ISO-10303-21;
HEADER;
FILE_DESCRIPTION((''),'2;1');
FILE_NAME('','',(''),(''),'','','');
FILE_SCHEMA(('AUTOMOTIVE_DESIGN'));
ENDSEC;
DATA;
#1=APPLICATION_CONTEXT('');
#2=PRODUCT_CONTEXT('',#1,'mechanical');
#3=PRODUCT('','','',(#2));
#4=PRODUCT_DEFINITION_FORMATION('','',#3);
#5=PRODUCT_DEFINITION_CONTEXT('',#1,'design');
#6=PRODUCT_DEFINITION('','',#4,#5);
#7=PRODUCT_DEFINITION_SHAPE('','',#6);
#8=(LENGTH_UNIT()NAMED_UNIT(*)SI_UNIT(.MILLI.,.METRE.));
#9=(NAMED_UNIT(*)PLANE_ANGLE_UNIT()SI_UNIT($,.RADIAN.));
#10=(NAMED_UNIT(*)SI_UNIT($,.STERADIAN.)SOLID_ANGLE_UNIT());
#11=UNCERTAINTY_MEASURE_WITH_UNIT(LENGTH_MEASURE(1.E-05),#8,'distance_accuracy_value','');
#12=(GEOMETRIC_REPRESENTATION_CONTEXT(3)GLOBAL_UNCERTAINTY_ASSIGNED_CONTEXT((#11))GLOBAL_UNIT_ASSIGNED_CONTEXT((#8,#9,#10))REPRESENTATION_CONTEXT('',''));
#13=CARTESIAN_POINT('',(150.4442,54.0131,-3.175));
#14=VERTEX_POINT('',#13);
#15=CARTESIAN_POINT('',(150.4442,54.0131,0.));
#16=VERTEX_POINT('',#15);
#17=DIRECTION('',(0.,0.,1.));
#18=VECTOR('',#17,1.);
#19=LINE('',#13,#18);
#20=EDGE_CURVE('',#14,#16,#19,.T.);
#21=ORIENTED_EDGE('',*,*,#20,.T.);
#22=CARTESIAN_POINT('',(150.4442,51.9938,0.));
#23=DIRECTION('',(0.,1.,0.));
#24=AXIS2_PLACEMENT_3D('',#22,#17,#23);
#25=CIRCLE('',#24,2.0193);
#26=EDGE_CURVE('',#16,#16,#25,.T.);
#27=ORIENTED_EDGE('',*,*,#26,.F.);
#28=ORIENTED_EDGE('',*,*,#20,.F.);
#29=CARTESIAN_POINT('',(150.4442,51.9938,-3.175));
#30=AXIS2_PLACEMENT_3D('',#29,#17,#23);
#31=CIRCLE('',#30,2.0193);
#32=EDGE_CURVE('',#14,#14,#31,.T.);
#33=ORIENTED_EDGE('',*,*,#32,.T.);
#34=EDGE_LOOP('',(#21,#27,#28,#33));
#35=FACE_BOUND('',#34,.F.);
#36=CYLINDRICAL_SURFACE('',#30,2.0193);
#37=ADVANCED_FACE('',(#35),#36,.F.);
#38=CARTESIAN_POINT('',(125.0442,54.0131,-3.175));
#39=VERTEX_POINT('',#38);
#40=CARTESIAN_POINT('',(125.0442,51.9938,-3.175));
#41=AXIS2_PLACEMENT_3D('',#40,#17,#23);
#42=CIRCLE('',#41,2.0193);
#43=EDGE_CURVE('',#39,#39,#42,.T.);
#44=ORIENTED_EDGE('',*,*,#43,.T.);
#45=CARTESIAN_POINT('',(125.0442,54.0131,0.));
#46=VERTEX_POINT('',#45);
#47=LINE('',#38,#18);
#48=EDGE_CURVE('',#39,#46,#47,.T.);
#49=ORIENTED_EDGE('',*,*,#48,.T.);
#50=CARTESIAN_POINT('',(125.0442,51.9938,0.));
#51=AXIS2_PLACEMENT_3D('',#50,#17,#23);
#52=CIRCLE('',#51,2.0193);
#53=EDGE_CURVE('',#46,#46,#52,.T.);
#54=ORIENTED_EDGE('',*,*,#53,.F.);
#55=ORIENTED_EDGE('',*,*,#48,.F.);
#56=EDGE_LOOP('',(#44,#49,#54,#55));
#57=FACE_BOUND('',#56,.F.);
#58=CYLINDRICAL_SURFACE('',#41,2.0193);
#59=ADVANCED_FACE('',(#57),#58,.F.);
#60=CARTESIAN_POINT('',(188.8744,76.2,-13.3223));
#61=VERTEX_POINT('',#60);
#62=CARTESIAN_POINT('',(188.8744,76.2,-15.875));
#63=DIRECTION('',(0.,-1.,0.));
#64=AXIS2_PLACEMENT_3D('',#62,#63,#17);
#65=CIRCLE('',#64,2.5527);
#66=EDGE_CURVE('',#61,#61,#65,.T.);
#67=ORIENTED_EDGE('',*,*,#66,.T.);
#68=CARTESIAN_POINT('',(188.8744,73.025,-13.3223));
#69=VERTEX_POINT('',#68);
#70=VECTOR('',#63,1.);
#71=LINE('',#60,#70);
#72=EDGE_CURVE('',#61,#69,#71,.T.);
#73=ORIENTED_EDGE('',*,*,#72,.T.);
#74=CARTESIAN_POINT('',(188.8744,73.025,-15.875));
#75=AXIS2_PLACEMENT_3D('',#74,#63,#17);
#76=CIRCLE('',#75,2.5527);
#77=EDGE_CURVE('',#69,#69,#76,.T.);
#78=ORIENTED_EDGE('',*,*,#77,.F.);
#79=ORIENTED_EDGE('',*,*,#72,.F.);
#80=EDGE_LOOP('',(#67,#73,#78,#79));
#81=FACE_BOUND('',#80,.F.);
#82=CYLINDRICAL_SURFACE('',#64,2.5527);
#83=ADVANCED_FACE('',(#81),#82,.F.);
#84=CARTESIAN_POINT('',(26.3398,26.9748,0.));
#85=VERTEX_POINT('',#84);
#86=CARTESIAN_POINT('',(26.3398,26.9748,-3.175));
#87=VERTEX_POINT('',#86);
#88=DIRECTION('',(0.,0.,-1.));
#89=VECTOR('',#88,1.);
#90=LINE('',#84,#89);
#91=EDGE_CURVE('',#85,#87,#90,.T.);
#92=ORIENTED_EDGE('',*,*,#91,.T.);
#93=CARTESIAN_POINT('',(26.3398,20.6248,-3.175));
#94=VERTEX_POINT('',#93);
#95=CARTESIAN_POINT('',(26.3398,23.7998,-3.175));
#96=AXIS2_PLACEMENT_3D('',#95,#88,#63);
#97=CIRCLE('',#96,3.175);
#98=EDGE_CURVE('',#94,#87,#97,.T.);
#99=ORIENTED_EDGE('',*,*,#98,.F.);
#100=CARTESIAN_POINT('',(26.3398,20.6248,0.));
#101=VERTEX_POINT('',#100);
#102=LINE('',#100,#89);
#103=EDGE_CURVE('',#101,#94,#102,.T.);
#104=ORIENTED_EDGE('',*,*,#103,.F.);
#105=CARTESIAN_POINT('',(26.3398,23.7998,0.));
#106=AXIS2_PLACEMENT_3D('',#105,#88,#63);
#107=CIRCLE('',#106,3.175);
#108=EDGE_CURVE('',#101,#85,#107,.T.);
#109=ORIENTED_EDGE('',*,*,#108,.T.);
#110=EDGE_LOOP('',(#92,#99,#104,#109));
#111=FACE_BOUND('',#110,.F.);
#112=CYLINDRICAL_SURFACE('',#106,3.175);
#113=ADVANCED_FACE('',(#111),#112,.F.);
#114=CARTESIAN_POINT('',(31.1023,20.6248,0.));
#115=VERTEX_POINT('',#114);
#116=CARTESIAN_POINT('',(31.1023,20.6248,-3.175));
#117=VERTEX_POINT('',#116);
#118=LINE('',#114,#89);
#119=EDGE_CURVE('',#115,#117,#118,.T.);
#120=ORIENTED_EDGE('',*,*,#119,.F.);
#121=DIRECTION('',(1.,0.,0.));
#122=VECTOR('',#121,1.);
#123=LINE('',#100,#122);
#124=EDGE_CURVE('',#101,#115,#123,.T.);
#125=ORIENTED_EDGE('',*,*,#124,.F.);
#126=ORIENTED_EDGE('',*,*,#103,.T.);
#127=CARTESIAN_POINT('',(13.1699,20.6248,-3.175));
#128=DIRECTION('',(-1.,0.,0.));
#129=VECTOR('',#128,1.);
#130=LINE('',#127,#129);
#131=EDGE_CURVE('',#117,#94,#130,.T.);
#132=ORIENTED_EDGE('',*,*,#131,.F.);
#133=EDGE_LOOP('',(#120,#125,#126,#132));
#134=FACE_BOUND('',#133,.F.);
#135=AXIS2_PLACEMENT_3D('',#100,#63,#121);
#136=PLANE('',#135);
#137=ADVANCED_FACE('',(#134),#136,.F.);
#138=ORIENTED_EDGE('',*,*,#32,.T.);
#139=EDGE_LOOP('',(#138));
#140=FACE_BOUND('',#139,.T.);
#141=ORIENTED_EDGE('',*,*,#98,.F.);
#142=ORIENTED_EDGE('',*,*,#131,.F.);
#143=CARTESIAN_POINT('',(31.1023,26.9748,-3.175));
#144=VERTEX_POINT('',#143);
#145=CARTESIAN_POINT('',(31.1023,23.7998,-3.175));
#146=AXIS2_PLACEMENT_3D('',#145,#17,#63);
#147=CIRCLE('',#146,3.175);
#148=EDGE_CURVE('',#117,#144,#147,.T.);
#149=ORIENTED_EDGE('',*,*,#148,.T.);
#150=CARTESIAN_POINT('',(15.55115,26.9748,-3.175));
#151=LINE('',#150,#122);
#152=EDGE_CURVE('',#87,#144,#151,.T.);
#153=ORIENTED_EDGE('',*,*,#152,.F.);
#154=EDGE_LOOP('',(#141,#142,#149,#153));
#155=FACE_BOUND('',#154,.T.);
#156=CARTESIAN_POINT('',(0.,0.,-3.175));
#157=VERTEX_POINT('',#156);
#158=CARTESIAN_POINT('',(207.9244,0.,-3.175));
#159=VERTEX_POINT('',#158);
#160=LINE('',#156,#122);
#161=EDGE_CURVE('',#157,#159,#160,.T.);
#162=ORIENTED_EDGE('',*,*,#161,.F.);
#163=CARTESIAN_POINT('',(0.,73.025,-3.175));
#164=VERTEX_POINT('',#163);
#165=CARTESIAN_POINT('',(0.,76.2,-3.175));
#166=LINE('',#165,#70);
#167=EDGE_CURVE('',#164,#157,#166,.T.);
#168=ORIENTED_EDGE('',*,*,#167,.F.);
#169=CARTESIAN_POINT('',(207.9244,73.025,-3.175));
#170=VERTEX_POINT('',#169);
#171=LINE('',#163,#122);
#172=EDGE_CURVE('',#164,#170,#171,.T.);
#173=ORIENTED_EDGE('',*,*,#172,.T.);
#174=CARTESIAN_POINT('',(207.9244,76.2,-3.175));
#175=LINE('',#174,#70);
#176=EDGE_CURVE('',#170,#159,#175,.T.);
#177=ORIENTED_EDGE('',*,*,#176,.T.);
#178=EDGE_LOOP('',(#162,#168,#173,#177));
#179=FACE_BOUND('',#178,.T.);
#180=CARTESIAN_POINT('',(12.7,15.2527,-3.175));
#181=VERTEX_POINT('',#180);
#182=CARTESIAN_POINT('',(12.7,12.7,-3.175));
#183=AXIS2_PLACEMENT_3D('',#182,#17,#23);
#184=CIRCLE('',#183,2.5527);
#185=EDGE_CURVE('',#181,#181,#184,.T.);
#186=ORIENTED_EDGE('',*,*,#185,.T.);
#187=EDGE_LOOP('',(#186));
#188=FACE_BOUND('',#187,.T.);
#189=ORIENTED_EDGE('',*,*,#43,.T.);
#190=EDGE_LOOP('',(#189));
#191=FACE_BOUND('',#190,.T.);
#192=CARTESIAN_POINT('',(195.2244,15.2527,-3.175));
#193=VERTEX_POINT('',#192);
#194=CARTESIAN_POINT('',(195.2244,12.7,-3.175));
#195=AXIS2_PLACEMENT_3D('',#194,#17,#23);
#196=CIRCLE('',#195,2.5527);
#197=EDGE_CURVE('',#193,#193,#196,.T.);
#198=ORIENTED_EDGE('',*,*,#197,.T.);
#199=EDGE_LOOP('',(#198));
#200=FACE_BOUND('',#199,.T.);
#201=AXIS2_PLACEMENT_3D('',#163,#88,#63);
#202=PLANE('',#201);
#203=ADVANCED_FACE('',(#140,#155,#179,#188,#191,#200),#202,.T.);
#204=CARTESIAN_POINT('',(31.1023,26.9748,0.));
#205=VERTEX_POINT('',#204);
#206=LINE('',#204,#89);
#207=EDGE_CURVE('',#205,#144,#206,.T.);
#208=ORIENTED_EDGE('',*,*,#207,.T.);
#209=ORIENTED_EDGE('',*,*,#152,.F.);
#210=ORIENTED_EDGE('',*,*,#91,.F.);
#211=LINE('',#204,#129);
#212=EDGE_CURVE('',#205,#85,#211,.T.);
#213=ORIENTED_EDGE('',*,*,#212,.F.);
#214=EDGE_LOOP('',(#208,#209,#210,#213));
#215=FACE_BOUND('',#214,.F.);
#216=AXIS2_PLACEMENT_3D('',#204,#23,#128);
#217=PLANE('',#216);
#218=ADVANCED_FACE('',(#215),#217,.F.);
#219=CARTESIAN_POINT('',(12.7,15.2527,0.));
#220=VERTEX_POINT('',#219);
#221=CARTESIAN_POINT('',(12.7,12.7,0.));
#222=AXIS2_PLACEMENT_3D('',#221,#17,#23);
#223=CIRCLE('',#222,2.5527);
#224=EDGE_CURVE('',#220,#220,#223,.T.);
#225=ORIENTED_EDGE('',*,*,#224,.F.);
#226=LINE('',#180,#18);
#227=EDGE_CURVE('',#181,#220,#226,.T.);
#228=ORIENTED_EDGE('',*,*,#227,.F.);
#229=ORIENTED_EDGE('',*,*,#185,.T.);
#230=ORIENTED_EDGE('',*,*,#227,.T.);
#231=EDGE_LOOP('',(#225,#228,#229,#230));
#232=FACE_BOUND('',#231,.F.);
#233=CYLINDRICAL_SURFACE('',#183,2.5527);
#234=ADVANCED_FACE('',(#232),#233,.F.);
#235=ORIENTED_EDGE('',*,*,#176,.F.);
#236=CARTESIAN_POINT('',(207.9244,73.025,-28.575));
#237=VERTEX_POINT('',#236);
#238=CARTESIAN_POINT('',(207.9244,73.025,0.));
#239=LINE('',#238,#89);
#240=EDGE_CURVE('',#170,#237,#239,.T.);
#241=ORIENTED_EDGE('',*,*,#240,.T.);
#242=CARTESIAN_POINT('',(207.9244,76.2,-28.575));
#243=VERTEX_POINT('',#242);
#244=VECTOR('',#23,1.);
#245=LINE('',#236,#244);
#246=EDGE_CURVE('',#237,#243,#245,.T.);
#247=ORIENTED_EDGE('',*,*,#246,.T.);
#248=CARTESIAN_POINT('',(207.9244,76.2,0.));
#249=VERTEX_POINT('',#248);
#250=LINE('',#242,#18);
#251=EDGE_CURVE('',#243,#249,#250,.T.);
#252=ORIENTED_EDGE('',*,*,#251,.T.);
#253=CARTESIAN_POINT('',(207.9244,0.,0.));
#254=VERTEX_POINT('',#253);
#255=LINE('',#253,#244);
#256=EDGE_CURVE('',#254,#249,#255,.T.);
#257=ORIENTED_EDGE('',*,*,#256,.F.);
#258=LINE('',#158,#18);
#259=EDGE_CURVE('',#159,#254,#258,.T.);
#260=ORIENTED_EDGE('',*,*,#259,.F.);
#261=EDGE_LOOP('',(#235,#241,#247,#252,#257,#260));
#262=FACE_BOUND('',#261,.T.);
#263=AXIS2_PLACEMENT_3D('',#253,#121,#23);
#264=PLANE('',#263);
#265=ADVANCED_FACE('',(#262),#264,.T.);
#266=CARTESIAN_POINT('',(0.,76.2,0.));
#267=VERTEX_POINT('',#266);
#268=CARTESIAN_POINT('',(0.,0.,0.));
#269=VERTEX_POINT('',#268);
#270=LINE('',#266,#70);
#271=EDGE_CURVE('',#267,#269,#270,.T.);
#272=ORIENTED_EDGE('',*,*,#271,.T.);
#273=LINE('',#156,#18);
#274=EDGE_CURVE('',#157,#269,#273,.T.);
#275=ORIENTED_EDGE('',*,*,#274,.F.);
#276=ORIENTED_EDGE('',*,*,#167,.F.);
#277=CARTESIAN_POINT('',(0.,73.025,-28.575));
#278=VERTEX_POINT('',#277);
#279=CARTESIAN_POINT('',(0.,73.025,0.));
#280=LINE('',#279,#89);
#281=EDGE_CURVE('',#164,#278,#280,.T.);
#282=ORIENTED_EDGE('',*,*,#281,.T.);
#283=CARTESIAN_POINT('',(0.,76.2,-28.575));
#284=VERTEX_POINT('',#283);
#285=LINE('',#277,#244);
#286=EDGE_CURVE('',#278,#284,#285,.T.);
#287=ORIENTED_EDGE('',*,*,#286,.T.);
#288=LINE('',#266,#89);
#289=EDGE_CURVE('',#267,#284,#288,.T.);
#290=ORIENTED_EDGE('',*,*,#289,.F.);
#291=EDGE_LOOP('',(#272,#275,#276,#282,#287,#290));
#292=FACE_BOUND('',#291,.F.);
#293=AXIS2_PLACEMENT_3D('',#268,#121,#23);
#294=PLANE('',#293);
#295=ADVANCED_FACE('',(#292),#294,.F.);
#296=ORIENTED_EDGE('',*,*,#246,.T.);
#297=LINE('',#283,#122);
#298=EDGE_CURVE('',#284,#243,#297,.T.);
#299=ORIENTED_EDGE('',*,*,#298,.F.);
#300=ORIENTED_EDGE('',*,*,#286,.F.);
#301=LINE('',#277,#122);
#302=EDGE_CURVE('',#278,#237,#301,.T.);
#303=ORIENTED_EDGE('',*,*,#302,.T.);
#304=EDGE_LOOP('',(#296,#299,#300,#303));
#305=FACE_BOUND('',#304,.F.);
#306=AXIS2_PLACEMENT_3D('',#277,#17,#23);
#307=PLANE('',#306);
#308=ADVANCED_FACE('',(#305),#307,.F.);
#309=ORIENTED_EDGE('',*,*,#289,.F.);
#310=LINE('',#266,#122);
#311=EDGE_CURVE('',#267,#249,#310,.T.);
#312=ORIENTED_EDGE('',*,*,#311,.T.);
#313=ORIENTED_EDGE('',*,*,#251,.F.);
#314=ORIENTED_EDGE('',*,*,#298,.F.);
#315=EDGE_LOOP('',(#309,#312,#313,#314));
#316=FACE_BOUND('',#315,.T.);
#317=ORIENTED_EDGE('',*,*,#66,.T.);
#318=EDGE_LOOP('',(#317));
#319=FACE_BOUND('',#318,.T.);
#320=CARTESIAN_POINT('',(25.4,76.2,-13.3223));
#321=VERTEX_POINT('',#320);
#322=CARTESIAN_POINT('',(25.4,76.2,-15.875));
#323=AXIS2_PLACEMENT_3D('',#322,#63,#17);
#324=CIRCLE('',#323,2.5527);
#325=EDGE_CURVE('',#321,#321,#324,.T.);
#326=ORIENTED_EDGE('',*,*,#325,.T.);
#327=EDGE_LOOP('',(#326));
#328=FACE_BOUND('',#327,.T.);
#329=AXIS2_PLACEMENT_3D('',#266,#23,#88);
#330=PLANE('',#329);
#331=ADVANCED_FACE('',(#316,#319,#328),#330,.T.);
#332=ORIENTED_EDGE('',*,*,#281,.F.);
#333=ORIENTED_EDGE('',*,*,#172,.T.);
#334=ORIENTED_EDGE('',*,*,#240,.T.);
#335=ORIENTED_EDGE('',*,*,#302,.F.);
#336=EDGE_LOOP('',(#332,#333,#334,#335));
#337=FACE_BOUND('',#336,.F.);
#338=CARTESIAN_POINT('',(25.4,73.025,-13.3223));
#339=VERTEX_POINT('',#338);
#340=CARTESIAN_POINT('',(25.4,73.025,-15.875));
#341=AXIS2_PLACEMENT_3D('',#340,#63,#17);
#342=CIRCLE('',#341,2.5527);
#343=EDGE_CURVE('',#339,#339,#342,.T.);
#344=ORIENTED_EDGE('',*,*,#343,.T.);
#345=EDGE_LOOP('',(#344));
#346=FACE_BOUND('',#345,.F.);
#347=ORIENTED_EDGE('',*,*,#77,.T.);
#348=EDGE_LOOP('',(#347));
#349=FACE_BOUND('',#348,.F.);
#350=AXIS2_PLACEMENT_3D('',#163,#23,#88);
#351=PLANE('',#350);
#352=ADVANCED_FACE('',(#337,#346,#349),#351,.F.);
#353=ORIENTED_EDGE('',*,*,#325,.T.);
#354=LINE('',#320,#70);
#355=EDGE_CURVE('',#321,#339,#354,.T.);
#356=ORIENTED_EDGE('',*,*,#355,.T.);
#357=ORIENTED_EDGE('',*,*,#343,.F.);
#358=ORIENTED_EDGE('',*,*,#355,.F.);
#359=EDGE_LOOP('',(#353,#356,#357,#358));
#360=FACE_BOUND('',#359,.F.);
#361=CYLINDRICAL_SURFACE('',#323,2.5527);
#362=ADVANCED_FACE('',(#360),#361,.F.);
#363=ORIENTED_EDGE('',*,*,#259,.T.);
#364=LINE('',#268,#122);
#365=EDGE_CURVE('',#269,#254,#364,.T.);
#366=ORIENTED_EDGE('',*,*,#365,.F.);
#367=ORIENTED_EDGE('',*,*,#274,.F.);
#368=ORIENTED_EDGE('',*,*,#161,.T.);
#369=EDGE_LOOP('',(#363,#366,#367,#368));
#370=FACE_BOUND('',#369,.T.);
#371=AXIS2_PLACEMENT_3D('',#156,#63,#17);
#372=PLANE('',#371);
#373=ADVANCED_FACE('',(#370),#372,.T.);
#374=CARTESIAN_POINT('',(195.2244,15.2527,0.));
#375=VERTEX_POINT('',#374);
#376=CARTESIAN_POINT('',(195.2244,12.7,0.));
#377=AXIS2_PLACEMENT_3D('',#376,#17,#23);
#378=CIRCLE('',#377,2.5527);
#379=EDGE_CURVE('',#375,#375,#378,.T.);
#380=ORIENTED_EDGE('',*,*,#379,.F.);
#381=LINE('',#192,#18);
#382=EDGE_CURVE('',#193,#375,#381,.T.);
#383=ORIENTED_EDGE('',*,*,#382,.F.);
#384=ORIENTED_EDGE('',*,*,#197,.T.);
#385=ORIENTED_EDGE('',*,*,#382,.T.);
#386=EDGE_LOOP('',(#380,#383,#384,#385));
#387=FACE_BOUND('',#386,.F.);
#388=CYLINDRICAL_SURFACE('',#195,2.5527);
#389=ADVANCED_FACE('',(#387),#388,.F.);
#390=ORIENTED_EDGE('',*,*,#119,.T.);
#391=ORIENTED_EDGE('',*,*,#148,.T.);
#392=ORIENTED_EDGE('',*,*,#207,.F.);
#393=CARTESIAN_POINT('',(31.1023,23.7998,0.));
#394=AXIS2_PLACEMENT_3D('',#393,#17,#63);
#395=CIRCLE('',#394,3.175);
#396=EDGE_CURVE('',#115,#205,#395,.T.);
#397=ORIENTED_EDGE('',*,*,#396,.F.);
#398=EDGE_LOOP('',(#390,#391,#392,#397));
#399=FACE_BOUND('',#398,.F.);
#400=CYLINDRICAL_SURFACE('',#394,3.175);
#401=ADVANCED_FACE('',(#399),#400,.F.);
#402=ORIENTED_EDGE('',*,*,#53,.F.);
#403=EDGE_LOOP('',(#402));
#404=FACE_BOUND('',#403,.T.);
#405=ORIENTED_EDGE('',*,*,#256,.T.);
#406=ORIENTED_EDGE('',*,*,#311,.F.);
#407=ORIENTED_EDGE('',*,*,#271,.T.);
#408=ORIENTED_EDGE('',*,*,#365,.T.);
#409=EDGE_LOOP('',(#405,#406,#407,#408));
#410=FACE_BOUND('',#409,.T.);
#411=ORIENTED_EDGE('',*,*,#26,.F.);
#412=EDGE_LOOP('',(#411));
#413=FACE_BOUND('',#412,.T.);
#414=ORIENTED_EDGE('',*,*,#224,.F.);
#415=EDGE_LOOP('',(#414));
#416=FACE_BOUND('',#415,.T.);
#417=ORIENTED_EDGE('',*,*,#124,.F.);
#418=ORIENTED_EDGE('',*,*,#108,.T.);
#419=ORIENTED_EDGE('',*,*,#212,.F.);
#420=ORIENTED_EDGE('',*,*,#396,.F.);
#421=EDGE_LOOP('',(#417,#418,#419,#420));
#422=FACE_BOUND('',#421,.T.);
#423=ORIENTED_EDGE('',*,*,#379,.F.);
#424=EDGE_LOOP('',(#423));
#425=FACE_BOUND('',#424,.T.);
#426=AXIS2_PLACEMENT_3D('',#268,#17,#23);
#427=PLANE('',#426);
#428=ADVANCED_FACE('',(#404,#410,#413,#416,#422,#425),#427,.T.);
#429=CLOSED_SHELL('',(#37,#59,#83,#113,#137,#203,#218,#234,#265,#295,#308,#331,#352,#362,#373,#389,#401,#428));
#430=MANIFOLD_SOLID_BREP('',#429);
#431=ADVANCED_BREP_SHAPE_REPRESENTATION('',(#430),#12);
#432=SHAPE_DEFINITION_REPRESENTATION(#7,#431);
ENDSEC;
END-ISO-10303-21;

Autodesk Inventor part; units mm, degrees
ref_plane "YZ Plane" through (0, 0, 0) normal (1, 0, 0) x (0, 1, 0)
ref_plane "XZ Plane" through (0, 0, 0) normal (0, 1, 0) x (-1, 0, 0)
ref_plane "XY Plane" through (0, 0, 0) normal (0, 0, 1) x (1, 0, 0)
sketch "Sketch1" plane through (0, 0, 0) normal (1, 0, 0) x (0, 1, 0)
  line L0 (0, 0) -> (76.2, 0)
  line L1 (76.2, 0) -> (76.2, -3.175)
  line L2 (76.2, -3.175) -> (0, -3.175)
  line L3 (0, -3.175) -> (0, 0)
  line L4 (76.2, 0) -> (73.025, 0)
  line L5 (73.025, 0) -> (73.025, -28.575)
  line L6 (73.025, -28.575) -> (76.2, -28.575)
  line L7 (76.2, -28.575) -> (76.2, 0)
  dimension "d0" = 76.2
  dimension "d1" = 3.175
  dimension "d2" = 28.575
extrude "Extrusion1" add sketch "Sketch1" along normal blind 207.9244
sketch "Sketch2" plane through (0, 0, -3.175) normal (0, 0, -1) x (-1, 0, 0)
  line L0 (-207.9244, 0) -> (-207.9244, 73.025) projected
  line L1 (0, 76.2) -> (-207.9244, 76.2) projected
  point P0 (0, 0)
  point P1 (-150.4442, 51.9938)
  point P2 (-125.0442, 51.9938)
  dimension "d5" = 57.4802
  dimension "d6" = 82.8802
  dimension "d7" = 24.2062
  dimension "d8" = 24.2062
hole "Hole1" at (150.4442, 51.9938, -3.175) at (125.0442, 51.9938, -3.175) direction (0, 0, 1) diameter 4.0386 end through all
sketch "Sketch5" plane through (0, 76.2, 0) normal (0, 1, 0) x (1, 0, 0)
  line L0 (0, 28.575) -> (207.9244, 28.575) projected
  line L1 (207.9244, 28.575) -> (207.9244, 0) projected
  line L2 (0, 28.575) -> (0, 0) projected
  point P0 (188.8744, 15.875)
  point P1 (25.4, 15.875)
  dimension "d43" = 12.7
  dimension "d44" = 12.7
  dimension "d45" = 19.05
  dimension "d46" = 25.4
sketch "Sketch6" plane through (0, 0, -3.175) normal (0, 0, -1) x (-1, 0, 0)
  line L0 (0, 0) -> (-207.9244, 0) projected
  line L1 (-207.9244, 0) -> (-207.9244, 73.025) projected
  line L2 (0, 0) -> (0, 73.025) projected
  point P0 (-195.2244, 12.7)
  point P1 (-12.7, 12.7)
  dimension "d47" = 12.7
  dimension "d48" = 12.7
  dimension "d49" = 12.7
  dimension "d50" = 12.7
hole "Hole4" at (195.2244, 12.7, -3.175) at (12.7, 12.7, -3.175) direction (0, 0, 1) diameter 5.1054 end through all clearance for "Flat Head Machine Screw (82)" size "#10" standard "Ansi Unified Screw Threads"
hole "Hole3" at (25.4, 76.2, -15.875) at (188.8744, 76.2, -15.875) direction (0, -1, 0) diameter 5.1054 end through all clearance for "Flat Head Machine Screw (82)" size "#10" standard "Ansi Unified Screw Threads"
sketch "Sketch7" plane through (0, 0, 0) normal (0, 0, 1) x (1, 0, 0)
  line L0 (0, 0) -> (207.9244, 0) projected
  line L1 (207.9244, 76.2) -> (207.9244, 0) projected
  line L2 (0, 76.2) -> (0, 0) projected
  point P0 (26.3398, 23.7998)
  dimension "d67" = 23.7998
  dimension "d76" = 26.3398
hole "Hole5" at (26.3398, 23.7998, 0) direction (0, 0, -1) diameter 6.35 end through all
sketch "Sketch8" plane through (0, 0, 0) normal (0, 0, 1) x (1, 0, 0)
  circle A0 centre (26.3398, 23.7998) radius 3.175 projected
  line L0 (26.3398, 23.7998) -> (31.1023, 23.7998) construction
  line L1 (26.3398, 20.6248) -> (31.1023, 20.6248)
  line L2 (31.1023, 26.9748) -> (26.3398, 26.9748)
  arc A1 (26.3398, 26.9748) -> (26.3398, 20.6248) centre (26.3398, 23.7998) ccw
  arc A2 (31.1023, 20.6248) -> (31.1023, 26.9748) centre (31.1023, 23.7998) ccw
  point P0 (0, 0)
  point P1 (28.721, 23.7998)
  dimension "d77" = 4.7625
extrude "Extrusion3" cut sketch "Sketch8" against normal blind 25.4 contours A0 L2 A2 L1
sketch "Sketch3" plane through (0, 0, -3.175) normal (0, 0, -1) x (-1, 0, 0)
  line L0 (-158.5408, 14.5542) -> (38.7343, 14.5542) construction
  line L1 (0, 76.2) -> (-207.9244, 76.2) construction
  line L2 (-161.6607, 44.1198) -> (30.0945, 44.1198) construction
  line L3 (-31.75, 37.7698) -> (-12.7, 37.7698) construction
  line L4 (-31.75, 35.2806) -> (-12.7, 35.2806)
  line L5 (-12.7, 40.259) -> (-31.75, 40.259)
  arc A0 (-31.75, 40.259) -> (-31.75, 35.2806) centre (-31.75, 37.7698) ccw
  arc A1 (-12.7, 35.2806) -> (-12.7, 40.259) centre (-12.7, 37.7698) ccw
  line L6 (-31.75, 25.4) -> (-12.7, 25.4) construction
  line L7 (-31.75, 22.9108) -> (-12.7, 22.9108)
  line L8 (-12.7, 27.8892) -> (-31.75, 27.8892)
  arc A2 (-31.75, 27.8892) -> (-31.75, 22.9108) centre (-31.75, 25.4) ccw
  arc A3 (-12.7, 22.9108) -> (-12.7, 27.8892) centre (-12.7, 25.4) ccw
  line L9 (0, 0) -> (0, 73.025) projected
  line L10 (-69.85, 37.7698) -> (-50.8, 37.7698) construction
  line L11 (-69.85, 35.2806) -> (-50.8, 35.2806)
  line L12 (-50.8, 40.259) -> (-69.85, 40.259)
  arc A4 (-69.85, 40.259) -> (-69.85, 35.2806) centre (-69.85, 37.7698) ccw
  arc A5 (-50.8, 35.2806) -> (-50.8, 40.259) centre (-50.8, 37.7698) ccw
  point P0 (-22.225, 37.7698)
  point P1 (-22.225, 25.4)
  point P2 (-60.325, 37.7698)
  dimension "d16" = 61.6458
  dimension "d17" = 29.5656
  dimension "d19" = 2.4892
  dimension "d20" = 6.35
  dimension "d29" = 38.1
  dimension "d30" = 6.35
  dimension "d31" = 19.05
  dimension "d32" = 31.75
  dimension "d33" = 31.75
  dimension "d65" = 10.8458
sketch "Sketch4" plane through (0, 0, -3.175) normal (0, 0, -1) x (-1, 0, 0)
  line L0 (-12.7, 35.2806) -> (-31.75, 35.2806) projected
  arc A0 (-12.7, 22.9108) -> (-12.7, 27.8892) centre (-12.7, 25.4) ccw projected
  line L1 (-12.7, 22.9108) -> (-31.75, 22.9108) projected
  arc A1 (-31.75, 27.8892) -> (-31.75, 22.9108) centre (-31.75, 25.4) ccw projected
  line L2 (-31.75, 27.8892) -> (-12.7, 27.8892) projected
  arc A2 (-12.7, 35.2806) -> (-12.7, 40.259) centre (-12.7, 37.7698) ccw projected
  line L3 (-12.7, 35.2806) -> (-31.75, 35.2806) projected
  arc A3 (-31.75, 40.259) -> (-31.75, 35.2806) centre (-31.75, 37.7698) ccw projected
  line L4 (-31.75, 40.259) -> (-12.7, 40.259) projected
  arc A4 (-50.8, 35.2806) -> (-50.8, 40.259) centre (-50.8, 37.7698) ccw projected
  line L5 (-50.8, 35.2806) -> (-69.85, 35.2806) projected
  arc A5 (-69.85, 40.259) -> (-69.85, 35.2806) centre (-69.85, 37.7698) ccw projected
  line L6 (-69.85, 40.259) -> (-50.8, 40.259) projected
  circle A6 centre (-125.0442, 51.9938) radius 2.0193 projected
  circle A7 centre (-99.6442, 51.9938) radius 2.0193 projected
  line L7 (-182.5244, 73.025) -> (0, 73.025) projected
  line L8 (-182.5244, 0) -> (-182.5244, 73.025) projected
  line L9 (0, 0) -> (-182.5244, 0) projected
  line L10 (0, 0) -> (0, 73.025) projected
  point P0 (0, 0)
  point P1 (-9.652, 31.5849)
  dimension "d34" = 3.6957
  dimension "d35" = 22.098
  dimension "d66" = 7.3914
equation "\"d8\" = d7"
equation "\"d30\" = d20"
equation "\"d33\" = d32"
equation "\"d34\" = 0.5 * d66"
properties part number "CAR_019_TensionerLBracket" material "Aluminum 6061"
